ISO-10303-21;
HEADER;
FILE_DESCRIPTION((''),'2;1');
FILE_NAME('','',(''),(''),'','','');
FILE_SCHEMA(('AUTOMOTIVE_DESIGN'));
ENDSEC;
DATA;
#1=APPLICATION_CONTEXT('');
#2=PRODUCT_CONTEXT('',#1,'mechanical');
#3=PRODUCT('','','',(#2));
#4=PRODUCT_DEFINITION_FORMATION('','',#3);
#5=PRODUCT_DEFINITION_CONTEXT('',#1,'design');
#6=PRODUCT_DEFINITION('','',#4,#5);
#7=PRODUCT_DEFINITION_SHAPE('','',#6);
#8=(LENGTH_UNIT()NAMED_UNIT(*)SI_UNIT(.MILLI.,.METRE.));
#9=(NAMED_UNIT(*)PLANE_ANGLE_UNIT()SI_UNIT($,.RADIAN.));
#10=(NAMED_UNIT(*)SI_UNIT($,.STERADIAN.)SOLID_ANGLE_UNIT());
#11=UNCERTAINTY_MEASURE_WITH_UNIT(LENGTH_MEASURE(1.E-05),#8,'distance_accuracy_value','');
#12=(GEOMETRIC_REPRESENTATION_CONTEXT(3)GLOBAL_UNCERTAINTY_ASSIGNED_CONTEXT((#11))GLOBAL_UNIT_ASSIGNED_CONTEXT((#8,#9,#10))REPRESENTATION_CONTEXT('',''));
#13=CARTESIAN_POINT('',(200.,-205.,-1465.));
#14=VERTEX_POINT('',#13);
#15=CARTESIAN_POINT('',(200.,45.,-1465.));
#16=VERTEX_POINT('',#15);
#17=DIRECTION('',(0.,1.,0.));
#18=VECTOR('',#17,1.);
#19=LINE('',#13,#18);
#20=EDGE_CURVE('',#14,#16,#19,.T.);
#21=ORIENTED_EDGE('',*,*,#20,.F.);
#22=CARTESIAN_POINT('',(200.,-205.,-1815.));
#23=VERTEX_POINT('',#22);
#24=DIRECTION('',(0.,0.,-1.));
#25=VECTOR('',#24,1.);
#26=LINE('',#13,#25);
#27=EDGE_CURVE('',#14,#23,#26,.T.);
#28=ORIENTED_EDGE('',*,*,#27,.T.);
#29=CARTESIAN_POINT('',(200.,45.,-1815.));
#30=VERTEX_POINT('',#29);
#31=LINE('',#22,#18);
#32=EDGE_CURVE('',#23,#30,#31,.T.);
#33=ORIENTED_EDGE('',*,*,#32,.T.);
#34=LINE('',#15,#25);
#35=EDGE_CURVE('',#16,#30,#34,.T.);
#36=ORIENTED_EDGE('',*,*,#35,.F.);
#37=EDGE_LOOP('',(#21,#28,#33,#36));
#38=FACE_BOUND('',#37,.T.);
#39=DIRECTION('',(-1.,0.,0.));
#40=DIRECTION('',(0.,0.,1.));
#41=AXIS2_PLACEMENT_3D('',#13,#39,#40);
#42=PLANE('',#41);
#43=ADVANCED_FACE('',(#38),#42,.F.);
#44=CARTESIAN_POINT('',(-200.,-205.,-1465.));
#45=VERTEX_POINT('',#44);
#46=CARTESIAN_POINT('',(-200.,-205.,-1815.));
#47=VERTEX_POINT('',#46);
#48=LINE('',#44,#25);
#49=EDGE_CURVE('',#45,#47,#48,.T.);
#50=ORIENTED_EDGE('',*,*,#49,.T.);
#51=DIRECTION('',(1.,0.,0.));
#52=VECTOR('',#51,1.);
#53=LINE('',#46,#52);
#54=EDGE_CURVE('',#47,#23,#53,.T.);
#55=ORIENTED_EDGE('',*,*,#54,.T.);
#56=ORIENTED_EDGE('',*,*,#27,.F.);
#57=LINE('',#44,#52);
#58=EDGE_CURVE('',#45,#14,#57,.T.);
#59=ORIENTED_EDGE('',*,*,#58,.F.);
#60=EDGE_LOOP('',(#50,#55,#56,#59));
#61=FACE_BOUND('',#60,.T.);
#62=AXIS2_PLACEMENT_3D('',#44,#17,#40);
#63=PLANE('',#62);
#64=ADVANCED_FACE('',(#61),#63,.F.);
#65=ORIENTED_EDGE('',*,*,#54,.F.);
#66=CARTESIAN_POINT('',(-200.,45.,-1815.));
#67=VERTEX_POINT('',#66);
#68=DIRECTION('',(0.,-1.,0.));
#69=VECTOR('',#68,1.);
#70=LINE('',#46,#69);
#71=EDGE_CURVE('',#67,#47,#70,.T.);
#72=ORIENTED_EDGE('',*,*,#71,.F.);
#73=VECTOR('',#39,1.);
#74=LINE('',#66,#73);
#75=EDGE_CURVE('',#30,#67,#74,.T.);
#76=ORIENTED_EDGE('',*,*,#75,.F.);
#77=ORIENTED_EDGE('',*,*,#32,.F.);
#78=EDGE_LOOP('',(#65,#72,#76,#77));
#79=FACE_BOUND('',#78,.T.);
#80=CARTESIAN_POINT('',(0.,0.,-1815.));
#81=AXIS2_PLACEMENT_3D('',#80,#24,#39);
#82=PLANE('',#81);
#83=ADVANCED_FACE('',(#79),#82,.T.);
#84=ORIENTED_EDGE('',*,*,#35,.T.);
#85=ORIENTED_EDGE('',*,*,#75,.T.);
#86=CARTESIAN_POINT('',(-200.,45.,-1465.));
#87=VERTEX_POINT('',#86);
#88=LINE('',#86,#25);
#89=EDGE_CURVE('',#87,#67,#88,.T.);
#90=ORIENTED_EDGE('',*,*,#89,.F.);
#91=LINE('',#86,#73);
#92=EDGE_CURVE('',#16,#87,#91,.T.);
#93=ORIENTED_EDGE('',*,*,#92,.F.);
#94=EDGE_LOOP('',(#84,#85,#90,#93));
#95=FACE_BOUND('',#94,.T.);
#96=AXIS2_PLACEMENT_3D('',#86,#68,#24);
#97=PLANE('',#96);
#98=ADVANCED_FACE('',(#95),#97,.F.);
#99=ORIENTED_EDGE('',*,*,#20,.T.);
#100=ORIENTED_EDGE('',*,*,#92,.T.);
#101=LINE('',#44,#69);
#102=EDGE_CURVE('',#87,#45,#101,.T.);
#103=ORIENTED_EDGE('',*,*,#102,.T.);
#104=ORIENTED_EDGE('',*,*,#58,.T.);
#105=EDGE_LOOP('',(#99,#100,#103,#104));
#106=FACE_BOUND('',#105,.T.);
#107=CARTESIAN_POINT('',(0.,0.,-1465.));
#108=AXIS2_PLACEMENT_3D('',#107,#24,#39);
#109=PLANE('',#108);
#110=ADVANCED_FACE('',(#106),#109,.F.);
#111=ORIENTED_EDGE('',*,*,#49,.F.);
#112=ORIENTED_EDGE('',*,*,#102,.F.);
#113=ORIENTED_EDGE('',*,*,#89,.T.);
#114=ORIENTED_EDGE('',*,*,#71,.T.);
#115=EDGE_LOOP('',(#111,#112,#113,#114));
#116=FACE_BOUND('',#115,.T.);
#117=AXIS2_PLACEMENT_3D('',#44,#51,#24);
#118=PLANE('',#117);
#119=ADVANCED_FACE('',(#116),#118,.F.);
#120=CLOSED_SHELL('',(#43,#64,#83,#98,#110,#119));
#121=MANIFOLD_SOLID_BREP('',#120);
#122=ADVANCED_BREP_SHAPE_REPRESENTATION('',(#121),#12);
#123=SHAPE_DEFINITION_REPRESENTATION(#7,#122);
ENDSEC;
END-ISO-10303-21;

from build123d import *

# Parameters (mm, degrees)
BOSS_EXTRUDE1_START = -1815
SKETCH1_W           = 400
SKETCH1_H           = 250
BOSS_EXTRUDE1_DEPTH = 350


with BuildPart() as part:
    # Sketch1 → Boss-Extrude1 (new body)
    with BuildSketch(Plane.XY.offset(BOSS_EXTRUDE1_START)):
        with Locations((0, -80)):
            Rectangle(SKETCH1_W, SKETCH1_H)
    extrude(amount=BOSS_EXTRUDE1_DEPTH)


solid = part.part
